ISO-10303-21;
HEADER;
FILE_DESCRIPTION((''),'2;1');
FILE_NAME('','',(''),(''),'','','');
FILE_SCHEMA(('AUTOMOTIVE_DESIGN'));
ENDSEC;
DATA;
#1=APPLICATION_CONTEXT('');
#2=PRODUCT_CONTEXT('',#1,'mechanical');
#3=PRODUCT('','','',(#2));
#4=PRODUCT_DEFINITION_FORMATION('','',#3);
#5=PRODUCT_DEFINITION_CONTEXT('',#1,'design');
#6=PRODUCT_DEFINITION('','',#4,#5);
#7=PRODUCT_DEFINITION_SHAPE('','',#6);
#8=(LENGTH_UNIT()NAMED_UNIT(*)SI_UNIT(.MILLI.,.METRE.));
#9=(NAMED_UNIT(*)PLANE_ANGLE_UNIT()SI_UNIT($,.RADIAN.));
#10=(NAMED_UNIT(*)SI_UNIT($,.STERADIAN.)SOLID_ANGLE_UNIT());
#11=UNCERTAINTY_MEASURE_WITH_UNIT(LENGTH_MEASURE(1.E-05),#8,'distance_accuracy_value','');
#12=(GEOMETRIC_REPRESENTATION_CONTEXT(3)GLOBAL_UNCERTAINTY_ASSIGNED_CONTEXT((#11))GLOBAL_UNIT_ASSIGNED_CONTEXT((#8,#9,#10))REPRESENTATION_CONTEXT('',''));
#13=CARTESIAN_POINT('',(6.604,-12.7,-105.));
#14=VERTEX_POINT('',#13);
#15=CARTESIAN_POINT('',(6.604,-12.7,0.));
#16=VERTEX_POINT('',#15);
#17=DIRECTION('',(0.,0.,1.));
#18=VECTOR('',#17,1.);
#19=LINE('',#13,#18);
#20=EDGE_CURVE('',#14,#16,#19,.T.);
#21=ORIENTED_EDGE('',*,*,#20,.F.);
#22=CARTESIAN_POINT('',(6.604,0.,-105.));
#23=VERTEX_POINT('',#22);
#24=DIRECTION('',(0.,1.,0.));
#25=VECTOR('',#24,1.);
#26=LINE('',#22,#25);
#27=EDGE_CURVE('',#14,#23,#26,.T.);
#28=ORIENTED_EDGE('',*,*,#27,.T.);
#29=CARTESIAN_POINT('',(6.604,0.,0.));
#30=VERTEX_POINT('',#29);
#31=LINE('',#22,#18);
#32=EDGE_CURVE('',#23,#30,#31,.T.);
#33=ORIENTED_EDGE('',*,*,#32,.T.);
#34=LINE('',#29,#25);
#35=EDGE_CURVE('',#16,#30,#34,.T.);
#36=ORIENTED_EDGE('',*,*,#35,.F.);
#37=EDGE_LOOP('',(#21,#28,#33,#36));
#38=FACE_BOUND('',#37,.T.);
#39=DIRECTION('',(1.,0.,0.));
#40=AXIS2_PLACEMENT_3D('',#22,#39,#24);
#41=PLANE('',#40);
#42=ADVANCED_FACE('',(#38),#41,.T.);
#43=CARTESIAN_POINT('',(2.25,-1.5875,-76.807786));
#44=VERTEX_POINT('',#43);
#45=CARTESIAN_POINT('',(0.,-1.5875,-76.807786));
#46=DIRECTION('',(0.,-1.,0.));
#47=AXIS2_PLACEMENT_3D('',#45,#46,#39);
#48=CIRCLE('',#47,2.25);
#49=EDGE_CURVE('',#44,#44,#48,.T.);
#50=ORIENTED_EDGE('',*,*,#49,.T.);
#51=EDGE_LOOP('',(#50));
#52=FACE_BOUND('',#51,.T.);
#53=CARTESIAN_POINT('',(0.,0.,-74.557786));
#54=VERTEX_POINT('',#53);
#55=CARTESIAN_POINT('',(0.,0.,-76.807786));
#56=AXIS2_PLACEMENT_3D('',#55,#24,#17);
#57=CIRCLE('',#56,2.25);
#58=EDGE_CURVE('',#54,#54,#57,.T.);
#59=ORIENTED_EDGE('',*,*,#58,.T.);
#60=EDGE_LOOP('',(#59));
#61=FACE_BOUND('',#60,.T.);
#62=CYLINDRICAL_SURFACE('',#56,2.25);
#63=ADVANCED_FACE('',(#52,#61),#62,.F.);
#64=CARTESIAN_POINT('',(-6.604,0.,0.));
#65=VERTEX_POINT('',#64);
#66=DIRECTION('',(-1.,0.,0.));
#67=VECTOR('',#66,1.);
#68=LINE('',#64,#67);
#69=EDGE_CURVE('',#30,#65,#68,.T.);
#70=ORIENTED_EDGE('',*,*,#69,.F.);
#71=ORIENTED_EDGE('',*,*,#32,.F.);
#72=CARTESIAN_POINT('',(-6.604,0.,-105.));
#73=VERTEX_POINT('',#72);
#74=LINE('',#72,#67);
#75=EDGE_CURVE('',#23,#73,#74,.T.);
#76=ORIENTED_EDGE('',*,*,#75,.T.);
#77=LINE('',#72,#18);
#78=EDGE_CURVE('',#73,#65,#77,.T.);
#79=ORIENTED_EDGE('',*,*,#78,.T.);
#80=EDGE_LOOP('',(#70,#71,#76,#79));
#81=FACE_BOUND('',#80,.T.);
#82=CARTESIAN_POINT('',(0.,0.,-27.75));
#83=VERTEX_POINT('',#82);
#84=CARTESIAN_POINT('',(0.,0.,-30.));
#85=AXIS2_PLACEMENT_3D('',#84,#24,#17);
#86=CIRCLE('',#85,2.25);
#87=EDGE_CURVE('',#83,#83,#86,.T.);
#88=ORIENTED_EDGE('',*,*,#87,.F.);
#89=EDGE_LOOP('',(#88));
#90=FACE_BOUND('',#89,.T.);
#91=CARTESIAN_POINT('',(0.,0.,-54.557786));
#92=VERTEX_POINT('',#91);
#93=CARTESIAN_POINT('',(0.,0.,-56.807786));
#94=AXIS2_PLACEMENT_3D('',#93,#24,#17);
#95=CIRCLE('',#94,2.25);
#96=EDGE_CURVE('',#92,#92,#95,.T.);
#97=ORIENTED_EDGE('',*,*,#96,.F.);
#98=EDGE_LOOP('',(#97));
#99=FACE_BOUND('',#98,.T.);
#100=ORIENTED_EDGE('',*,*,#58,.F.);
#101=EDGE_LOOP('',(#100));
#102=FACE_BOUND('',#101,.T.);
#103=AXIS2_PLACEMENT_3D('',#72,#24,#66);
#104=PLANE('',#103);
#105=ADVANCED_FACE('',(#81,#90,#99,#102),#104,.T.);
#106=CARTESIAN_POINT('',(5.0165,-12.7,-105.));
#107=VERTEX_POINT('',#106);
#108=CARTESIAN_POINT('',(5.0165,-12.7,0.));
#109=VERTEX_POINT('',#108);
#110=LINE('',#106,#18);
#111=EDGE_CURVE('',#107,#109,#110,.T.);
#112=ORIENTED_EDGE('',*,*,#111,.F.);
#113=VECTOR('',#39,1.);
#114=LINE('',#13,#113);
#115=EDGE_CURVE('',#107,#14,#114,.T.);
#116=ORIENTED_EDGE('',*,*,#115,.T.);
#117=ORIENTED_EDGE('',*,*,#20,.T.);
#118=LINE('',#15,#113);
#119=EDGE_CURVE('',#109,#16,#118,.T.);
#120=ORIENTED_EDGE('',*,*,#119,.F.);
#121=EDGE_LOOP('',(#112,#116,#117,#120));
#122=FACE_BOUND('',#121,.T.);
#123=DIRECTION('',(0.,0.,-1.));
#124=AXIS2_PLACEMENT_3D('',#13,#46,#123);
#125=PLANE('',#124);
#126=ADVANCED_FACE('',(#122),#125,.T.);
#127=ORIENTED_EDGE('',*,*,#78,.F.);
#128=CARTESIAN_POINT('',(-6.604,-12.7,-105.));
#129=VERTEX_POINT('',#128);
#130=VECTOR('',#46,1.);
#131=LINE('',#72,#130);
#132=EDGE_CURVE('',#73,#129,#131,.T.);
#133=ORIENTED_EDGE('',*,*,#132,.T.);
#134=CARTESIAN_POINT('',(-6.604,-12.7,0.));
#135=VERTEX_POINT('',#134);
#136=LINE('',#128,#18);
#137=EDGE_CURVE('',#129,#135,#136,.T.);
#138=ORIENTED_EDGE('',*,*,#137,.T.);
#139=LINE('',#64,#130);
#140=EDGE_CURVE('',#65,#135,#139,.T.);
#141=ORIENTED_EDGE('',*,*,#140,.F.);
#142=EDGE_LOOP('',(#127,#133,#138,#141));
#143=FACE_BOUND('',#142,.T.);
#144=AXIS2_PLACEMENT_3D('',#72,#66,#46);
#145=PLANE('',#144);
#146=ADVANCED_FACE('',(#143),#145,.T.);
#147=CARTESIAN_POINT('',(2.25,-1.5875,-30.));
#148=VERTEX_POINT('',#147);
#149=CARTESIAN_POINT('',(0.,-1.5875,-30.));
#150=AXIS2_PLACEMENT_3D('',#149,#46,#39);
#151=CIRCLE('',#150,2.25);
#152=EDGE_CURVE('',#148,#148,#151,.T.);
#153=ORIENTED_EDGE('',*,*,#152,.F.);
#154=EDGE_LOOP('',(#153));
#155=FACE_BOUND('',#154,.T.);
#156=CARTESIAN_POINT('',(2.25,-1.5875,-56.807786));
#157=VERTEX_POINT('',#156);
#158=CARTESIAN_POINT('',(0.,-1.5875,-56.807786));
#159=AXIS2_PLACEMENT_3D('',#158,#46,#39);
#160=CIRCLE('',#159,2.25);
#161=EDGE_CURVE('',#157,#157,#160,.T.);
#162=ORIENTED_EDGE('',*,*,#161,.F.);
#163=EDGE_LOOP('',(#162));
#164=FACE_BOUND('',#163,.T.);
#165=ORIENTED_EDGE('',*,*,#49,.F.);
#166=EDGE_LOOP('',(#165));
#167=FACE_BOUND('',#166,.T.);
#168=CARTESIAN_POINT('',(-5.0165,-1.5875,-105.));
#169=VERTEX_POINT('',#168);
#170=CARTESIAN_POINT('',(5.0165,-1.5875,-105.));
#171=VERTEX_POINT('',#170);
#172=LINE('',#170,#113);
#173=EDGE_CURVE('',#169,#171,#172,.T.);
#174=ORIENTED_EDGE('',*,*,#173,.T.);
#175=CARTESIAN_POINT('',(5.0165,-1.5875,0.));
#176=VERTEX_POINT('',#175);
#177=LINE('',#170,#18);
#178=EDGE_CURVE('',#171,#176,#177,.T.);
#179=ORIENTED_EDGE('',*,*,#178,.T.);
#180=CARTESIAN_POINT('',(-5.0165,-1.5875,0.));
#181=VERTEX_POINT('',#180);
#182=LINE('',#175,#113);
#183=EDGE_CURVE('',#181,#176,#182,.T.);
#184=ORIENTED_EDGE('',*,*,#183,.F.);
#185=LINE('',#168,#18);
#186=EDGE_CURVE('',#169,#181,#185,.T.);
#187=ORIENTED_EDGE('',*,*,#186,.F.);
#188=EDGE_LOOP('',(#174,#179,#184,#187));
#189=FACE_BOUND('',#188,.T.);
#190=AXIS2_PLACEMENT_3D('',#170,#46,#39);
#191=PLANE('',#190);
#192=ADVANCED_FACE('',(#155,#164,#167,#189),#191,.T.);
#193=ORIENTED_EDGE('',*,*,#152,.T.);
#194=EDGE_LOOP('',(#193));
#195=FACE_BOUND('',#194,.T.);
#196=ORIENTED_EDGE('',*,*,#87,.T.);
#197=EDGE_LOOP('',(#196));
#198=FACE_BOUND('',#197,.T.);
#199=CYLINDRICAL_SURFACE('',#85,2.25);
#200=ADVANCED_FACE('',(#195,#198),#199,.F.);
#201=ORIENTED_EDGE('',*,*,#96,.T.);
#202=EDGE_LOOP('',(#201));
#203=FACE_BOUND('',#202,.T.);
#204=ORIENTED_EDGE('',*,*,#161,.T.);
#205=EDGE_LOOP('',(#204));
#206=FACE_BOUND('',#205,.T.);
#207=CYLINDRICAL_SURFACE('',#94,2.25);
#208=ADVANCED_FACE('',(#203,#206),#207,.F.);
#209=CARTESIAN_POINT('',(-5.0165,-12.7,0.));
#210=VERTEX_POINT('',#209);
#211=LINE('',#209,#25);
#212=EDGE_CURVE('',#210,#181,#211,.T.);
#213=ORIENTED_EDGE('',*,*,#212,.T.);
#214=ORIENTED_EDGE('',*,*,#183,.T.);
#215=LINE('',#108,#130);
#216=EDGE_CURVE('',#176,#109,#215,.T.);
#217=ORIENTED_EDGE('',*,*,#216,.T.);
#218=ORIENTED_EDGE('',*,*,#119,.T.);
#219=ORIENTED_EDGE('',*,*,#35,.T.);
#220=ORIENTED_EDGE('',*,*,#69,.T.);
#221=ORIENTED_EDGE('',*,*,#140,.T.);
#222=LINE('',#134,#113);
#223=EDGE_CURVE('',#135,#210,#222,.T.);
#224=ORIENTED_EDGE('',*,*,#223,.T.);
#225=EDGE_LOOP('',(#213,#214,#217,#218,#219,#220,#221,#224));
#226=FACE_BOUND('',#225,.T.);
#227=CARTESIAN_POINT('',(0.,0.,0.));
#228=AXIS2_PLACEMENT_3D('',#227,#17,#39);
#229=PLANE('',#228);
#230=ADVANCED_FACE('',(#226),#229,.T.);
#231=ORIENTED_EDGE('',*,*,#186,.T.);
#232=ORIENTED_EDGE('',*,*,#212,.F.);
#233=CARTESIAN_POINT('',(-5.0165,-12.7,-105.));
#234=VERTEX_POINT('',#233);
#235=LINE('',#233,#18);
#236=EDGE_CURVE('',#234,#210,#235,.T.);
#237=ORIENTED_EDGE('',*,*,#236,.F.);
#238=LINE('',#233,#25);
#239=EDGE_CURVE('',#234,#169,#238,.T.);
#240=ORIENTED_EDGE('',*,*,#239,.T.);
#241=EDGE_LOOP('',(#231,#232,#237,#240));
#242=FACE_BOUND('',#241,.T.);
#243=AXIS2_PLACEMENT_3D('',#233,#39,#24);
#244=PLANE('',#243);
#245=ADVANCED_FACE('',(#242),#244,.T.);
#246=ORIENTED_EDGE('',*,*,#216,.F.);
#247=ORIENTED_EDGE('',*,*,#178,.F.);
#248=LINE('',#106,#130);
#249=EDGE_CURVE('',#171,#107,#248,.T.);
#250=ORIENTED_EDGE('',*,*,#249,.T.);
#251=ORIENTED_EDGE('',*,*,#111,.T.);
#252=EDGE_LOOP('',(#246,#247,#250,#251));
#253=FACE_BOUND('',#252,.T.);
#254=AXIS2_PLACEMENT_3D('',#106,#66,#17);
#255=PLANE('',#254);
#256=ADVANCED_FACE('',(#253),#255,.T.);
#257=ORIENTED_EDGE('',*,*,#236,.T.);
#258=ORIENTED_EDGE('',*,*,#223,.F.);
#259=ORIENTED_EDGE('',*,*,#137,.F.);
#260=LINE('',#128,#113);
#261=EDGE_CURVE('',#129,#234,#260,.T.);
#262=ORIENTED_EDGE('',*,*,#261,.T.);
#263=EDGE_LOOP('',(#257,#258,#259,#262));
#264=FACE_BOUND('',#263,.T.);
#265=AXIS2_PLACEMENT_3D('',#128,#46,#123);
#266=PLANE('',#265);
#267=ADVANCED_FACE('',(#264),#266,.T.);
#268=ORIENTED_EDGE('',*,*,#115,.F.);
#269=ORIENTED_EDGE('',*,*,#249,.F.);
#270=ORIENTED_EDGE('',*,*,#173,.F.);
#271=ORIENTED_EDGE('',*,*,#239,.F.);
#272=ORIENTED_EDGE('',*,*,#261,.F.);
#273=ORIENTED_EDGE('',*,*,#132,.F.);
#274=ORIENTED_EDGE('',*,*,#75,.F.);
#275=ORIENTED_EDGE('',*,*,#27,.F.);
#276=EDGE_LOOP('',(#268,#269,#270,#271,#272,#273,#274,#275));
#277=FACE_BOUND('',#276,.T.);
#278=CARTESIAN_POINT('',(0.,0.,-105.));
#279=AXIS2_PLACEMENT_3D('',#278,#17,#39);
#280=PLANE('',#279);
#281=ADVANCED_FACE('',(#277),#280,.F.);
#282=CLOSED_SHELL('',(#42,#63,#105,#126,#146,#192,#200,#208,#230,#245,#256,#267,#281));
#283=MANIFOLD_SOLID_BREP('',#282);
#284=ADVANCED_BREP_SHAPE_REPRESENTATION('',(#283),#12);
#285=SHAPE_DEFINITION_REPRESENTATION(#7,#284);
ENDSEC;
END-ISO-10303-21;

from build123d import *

# Parameters (mm, degrees)
BOSS_EXTRUDE1_DEPTH  = 105
M4_CLEARANCE_HOLE2_D = 4.5


with BuildPart() as part:
    # Sketch1 → Boss-Extrude1 (new body)
    with BuildSketch(Plane.XY):
        Polygon((-6.604, 0), (6.604, 0), (6.604, -12.7), (5.0165, -12.7), (5.0165, -1.5875), (-5.0165, -1.5875), (-5.0165, -12.7), (-6.604, -12.7), align=None)
    extrude(amount=-BOSS_EXTRUDE1_DEPTH)

    # M4 Clearance Hole2 (through all)
    with Locations(Plane(origin=(0, 0, 0), x_dir=(1, 0, 0), z_dir=(0, 1, 0))):
        with Locations((0, 56.807786), (0, 30), (0, 76.807786)):
            Hole(M4_CLEARANCE_HOLE2_D / 2)


solid = part.part
